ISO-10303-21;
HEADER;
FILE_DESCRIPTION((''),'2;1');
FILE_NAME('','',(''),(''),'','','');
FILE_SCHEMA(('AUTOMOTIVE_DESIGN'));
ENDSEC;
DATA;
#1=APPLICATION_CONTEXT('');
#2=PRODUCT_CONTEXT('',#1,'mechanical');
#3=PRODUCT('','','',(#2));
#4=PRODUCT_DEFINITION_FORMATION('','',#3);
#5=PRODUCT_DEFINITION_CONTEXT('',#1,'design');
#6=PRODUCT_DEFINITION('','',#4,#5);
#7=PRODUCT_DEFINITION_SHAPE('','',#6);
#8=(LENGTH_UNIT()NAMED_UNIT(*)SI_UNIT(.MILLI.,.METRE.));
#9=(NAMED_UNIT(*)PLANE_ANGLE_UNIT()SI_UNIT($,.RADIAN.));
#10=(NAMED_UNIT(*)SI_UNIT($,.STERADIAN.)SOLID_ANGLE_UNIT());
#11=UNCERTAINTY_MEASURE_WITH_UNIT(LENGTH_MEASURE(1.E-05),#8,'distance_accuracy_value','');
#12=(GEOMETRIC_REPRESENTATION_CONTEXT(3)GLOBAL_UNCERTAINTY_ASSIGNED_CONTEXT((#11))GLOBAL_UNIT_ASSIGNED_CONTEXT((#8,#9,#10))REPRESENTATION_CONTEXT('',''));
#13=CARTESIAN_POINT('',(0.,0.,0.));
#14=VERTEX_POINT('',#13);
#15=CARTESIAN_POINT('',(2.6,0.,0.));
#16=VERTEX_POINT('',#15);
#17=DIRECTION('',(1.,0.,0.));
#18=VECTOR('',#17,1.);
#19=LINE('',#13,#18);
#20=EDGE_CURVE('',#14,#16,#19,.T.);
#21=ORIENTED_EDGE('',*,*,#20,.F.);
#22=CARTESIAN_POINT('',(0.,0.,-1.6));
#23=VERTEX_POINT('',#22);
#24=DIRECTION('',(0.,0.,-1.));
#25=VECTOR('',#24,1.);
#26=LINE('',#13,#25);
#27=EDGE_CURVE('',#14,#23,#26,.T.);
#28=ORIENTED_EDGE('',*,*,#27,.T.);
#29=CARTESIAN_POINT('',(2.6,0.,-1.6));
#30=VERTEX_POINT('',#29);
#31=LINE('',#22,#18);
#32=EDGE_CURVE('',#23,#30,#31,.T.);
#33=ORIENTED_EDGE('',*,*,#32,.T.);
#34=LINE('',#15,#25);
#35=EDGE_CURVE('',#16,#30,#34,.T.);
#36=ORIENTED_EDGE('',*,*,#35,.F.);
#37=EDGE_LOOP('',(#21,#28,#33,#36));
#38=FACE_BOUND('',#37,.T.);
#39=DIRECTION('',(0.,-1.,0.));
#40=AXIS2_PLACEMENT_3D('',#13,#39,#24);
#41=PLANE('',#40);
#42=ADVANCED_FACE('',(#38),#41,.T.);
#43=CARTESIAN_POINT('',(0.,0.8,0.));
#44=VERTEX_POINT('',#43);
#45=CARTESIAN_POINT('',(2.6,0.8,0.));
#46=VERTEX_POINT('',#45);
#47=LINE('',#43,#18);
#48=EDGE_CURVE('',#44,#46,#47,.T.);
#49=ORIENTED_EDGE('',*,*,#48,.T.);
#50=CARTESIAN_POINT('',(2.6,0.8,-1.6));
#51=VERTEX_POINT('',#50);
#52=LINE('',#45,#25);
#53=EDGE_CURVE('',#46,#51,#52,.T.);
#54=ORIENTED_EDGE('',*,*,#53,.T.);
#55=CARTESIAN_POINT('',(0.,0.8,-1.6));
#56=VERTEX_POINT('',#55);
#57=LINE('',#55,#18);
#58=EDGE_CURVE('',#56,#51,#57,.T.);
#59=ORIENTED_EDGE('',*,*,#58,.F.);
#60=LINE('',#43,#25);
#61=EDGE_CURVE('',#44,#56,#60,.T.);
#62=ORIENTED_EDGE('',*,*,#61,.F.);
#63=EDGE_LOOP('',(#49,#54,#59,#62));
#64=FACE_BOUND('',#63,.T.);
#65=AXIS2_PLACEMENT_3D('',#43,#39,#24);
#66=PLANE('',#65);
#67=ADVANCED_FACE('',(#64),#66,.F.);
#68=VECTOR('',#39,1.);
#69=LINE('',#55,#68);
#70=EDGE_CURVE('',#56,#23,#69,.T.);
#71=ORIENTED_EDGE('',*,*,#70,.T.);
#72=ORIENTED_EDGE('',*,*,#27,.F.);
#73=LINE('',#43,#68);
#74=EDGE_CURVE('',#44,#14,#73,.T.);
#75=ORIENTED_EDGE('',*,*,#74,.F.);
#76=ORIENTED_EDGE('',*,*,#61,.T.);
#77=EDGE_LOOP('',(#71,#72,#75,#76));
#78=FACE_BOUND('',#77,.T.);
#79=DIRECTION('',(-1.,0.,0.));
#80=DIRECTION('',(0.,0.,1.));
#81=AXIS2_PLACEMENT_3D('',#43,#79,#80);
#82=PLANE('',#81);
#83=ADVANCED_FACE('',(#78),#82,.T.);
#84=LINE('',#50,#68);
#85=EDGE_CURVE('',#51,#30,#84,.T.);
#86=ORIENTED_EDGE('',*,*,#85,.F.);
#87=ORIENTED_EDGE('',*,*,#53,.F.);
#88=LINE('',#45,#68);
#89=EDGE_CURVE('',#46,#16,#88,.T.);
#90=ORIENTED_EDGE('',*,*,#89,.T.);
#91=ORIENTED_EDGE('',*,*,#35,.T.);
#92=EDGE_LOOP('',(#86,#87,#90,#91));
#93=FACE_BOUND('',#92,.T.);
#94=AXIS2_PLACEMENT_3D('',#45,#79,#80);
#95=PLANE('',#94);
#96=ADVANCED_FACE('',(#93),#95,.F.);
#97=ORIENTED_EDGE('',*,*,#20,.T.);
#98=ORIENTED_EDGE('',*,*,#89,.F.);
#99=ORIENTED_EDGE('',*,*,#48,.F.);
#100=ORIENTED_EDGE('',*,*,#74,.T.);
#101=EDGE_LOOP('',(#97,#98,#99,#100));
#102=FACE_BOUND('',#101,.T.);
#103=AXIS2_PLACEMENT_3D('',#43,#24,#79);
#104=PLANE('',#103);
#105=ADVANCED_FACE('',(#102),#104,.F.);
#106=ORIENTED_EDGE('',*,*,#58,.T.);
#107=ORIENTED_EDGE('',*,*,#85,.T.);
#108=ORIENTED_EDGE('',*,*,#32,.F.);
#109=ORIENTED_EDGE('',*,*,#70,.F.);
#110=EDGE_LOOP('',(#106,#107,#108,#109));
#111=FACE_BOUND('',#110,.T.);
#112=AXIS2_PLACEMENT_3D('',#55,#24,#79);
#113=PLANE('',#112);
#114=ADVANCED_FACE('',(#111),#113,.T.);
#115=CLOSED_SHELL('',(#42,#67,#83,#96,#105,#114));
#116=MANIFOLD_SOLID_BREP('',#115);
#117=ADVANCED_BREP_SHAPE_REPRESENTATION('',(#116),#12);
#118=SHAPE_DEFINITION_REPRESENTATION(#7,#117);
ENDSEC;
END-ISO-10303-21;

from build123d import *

# Parameters (mm, degrees)
SKETCH1_W           = 2.6
SKETCH1_H           = 1.6
BOSS_EXTRUDE1_DEPTH = 0.8


with BuildPart() as part:
    # Sketch1 → Boss-Extrude1 (new body)
    with BuildSketch(Plane(origin=(0, 0, 0), x_dir=(1, 0, 0), z_dir=(0, 1, 0))):
        with Locations((1.3, 0.8)):
            Rectangle(SKETCH1_W, SKETCH1_H)
    extrude(amount=BOSS_EXTRUDE1_DEPTH)


solid = part.part
